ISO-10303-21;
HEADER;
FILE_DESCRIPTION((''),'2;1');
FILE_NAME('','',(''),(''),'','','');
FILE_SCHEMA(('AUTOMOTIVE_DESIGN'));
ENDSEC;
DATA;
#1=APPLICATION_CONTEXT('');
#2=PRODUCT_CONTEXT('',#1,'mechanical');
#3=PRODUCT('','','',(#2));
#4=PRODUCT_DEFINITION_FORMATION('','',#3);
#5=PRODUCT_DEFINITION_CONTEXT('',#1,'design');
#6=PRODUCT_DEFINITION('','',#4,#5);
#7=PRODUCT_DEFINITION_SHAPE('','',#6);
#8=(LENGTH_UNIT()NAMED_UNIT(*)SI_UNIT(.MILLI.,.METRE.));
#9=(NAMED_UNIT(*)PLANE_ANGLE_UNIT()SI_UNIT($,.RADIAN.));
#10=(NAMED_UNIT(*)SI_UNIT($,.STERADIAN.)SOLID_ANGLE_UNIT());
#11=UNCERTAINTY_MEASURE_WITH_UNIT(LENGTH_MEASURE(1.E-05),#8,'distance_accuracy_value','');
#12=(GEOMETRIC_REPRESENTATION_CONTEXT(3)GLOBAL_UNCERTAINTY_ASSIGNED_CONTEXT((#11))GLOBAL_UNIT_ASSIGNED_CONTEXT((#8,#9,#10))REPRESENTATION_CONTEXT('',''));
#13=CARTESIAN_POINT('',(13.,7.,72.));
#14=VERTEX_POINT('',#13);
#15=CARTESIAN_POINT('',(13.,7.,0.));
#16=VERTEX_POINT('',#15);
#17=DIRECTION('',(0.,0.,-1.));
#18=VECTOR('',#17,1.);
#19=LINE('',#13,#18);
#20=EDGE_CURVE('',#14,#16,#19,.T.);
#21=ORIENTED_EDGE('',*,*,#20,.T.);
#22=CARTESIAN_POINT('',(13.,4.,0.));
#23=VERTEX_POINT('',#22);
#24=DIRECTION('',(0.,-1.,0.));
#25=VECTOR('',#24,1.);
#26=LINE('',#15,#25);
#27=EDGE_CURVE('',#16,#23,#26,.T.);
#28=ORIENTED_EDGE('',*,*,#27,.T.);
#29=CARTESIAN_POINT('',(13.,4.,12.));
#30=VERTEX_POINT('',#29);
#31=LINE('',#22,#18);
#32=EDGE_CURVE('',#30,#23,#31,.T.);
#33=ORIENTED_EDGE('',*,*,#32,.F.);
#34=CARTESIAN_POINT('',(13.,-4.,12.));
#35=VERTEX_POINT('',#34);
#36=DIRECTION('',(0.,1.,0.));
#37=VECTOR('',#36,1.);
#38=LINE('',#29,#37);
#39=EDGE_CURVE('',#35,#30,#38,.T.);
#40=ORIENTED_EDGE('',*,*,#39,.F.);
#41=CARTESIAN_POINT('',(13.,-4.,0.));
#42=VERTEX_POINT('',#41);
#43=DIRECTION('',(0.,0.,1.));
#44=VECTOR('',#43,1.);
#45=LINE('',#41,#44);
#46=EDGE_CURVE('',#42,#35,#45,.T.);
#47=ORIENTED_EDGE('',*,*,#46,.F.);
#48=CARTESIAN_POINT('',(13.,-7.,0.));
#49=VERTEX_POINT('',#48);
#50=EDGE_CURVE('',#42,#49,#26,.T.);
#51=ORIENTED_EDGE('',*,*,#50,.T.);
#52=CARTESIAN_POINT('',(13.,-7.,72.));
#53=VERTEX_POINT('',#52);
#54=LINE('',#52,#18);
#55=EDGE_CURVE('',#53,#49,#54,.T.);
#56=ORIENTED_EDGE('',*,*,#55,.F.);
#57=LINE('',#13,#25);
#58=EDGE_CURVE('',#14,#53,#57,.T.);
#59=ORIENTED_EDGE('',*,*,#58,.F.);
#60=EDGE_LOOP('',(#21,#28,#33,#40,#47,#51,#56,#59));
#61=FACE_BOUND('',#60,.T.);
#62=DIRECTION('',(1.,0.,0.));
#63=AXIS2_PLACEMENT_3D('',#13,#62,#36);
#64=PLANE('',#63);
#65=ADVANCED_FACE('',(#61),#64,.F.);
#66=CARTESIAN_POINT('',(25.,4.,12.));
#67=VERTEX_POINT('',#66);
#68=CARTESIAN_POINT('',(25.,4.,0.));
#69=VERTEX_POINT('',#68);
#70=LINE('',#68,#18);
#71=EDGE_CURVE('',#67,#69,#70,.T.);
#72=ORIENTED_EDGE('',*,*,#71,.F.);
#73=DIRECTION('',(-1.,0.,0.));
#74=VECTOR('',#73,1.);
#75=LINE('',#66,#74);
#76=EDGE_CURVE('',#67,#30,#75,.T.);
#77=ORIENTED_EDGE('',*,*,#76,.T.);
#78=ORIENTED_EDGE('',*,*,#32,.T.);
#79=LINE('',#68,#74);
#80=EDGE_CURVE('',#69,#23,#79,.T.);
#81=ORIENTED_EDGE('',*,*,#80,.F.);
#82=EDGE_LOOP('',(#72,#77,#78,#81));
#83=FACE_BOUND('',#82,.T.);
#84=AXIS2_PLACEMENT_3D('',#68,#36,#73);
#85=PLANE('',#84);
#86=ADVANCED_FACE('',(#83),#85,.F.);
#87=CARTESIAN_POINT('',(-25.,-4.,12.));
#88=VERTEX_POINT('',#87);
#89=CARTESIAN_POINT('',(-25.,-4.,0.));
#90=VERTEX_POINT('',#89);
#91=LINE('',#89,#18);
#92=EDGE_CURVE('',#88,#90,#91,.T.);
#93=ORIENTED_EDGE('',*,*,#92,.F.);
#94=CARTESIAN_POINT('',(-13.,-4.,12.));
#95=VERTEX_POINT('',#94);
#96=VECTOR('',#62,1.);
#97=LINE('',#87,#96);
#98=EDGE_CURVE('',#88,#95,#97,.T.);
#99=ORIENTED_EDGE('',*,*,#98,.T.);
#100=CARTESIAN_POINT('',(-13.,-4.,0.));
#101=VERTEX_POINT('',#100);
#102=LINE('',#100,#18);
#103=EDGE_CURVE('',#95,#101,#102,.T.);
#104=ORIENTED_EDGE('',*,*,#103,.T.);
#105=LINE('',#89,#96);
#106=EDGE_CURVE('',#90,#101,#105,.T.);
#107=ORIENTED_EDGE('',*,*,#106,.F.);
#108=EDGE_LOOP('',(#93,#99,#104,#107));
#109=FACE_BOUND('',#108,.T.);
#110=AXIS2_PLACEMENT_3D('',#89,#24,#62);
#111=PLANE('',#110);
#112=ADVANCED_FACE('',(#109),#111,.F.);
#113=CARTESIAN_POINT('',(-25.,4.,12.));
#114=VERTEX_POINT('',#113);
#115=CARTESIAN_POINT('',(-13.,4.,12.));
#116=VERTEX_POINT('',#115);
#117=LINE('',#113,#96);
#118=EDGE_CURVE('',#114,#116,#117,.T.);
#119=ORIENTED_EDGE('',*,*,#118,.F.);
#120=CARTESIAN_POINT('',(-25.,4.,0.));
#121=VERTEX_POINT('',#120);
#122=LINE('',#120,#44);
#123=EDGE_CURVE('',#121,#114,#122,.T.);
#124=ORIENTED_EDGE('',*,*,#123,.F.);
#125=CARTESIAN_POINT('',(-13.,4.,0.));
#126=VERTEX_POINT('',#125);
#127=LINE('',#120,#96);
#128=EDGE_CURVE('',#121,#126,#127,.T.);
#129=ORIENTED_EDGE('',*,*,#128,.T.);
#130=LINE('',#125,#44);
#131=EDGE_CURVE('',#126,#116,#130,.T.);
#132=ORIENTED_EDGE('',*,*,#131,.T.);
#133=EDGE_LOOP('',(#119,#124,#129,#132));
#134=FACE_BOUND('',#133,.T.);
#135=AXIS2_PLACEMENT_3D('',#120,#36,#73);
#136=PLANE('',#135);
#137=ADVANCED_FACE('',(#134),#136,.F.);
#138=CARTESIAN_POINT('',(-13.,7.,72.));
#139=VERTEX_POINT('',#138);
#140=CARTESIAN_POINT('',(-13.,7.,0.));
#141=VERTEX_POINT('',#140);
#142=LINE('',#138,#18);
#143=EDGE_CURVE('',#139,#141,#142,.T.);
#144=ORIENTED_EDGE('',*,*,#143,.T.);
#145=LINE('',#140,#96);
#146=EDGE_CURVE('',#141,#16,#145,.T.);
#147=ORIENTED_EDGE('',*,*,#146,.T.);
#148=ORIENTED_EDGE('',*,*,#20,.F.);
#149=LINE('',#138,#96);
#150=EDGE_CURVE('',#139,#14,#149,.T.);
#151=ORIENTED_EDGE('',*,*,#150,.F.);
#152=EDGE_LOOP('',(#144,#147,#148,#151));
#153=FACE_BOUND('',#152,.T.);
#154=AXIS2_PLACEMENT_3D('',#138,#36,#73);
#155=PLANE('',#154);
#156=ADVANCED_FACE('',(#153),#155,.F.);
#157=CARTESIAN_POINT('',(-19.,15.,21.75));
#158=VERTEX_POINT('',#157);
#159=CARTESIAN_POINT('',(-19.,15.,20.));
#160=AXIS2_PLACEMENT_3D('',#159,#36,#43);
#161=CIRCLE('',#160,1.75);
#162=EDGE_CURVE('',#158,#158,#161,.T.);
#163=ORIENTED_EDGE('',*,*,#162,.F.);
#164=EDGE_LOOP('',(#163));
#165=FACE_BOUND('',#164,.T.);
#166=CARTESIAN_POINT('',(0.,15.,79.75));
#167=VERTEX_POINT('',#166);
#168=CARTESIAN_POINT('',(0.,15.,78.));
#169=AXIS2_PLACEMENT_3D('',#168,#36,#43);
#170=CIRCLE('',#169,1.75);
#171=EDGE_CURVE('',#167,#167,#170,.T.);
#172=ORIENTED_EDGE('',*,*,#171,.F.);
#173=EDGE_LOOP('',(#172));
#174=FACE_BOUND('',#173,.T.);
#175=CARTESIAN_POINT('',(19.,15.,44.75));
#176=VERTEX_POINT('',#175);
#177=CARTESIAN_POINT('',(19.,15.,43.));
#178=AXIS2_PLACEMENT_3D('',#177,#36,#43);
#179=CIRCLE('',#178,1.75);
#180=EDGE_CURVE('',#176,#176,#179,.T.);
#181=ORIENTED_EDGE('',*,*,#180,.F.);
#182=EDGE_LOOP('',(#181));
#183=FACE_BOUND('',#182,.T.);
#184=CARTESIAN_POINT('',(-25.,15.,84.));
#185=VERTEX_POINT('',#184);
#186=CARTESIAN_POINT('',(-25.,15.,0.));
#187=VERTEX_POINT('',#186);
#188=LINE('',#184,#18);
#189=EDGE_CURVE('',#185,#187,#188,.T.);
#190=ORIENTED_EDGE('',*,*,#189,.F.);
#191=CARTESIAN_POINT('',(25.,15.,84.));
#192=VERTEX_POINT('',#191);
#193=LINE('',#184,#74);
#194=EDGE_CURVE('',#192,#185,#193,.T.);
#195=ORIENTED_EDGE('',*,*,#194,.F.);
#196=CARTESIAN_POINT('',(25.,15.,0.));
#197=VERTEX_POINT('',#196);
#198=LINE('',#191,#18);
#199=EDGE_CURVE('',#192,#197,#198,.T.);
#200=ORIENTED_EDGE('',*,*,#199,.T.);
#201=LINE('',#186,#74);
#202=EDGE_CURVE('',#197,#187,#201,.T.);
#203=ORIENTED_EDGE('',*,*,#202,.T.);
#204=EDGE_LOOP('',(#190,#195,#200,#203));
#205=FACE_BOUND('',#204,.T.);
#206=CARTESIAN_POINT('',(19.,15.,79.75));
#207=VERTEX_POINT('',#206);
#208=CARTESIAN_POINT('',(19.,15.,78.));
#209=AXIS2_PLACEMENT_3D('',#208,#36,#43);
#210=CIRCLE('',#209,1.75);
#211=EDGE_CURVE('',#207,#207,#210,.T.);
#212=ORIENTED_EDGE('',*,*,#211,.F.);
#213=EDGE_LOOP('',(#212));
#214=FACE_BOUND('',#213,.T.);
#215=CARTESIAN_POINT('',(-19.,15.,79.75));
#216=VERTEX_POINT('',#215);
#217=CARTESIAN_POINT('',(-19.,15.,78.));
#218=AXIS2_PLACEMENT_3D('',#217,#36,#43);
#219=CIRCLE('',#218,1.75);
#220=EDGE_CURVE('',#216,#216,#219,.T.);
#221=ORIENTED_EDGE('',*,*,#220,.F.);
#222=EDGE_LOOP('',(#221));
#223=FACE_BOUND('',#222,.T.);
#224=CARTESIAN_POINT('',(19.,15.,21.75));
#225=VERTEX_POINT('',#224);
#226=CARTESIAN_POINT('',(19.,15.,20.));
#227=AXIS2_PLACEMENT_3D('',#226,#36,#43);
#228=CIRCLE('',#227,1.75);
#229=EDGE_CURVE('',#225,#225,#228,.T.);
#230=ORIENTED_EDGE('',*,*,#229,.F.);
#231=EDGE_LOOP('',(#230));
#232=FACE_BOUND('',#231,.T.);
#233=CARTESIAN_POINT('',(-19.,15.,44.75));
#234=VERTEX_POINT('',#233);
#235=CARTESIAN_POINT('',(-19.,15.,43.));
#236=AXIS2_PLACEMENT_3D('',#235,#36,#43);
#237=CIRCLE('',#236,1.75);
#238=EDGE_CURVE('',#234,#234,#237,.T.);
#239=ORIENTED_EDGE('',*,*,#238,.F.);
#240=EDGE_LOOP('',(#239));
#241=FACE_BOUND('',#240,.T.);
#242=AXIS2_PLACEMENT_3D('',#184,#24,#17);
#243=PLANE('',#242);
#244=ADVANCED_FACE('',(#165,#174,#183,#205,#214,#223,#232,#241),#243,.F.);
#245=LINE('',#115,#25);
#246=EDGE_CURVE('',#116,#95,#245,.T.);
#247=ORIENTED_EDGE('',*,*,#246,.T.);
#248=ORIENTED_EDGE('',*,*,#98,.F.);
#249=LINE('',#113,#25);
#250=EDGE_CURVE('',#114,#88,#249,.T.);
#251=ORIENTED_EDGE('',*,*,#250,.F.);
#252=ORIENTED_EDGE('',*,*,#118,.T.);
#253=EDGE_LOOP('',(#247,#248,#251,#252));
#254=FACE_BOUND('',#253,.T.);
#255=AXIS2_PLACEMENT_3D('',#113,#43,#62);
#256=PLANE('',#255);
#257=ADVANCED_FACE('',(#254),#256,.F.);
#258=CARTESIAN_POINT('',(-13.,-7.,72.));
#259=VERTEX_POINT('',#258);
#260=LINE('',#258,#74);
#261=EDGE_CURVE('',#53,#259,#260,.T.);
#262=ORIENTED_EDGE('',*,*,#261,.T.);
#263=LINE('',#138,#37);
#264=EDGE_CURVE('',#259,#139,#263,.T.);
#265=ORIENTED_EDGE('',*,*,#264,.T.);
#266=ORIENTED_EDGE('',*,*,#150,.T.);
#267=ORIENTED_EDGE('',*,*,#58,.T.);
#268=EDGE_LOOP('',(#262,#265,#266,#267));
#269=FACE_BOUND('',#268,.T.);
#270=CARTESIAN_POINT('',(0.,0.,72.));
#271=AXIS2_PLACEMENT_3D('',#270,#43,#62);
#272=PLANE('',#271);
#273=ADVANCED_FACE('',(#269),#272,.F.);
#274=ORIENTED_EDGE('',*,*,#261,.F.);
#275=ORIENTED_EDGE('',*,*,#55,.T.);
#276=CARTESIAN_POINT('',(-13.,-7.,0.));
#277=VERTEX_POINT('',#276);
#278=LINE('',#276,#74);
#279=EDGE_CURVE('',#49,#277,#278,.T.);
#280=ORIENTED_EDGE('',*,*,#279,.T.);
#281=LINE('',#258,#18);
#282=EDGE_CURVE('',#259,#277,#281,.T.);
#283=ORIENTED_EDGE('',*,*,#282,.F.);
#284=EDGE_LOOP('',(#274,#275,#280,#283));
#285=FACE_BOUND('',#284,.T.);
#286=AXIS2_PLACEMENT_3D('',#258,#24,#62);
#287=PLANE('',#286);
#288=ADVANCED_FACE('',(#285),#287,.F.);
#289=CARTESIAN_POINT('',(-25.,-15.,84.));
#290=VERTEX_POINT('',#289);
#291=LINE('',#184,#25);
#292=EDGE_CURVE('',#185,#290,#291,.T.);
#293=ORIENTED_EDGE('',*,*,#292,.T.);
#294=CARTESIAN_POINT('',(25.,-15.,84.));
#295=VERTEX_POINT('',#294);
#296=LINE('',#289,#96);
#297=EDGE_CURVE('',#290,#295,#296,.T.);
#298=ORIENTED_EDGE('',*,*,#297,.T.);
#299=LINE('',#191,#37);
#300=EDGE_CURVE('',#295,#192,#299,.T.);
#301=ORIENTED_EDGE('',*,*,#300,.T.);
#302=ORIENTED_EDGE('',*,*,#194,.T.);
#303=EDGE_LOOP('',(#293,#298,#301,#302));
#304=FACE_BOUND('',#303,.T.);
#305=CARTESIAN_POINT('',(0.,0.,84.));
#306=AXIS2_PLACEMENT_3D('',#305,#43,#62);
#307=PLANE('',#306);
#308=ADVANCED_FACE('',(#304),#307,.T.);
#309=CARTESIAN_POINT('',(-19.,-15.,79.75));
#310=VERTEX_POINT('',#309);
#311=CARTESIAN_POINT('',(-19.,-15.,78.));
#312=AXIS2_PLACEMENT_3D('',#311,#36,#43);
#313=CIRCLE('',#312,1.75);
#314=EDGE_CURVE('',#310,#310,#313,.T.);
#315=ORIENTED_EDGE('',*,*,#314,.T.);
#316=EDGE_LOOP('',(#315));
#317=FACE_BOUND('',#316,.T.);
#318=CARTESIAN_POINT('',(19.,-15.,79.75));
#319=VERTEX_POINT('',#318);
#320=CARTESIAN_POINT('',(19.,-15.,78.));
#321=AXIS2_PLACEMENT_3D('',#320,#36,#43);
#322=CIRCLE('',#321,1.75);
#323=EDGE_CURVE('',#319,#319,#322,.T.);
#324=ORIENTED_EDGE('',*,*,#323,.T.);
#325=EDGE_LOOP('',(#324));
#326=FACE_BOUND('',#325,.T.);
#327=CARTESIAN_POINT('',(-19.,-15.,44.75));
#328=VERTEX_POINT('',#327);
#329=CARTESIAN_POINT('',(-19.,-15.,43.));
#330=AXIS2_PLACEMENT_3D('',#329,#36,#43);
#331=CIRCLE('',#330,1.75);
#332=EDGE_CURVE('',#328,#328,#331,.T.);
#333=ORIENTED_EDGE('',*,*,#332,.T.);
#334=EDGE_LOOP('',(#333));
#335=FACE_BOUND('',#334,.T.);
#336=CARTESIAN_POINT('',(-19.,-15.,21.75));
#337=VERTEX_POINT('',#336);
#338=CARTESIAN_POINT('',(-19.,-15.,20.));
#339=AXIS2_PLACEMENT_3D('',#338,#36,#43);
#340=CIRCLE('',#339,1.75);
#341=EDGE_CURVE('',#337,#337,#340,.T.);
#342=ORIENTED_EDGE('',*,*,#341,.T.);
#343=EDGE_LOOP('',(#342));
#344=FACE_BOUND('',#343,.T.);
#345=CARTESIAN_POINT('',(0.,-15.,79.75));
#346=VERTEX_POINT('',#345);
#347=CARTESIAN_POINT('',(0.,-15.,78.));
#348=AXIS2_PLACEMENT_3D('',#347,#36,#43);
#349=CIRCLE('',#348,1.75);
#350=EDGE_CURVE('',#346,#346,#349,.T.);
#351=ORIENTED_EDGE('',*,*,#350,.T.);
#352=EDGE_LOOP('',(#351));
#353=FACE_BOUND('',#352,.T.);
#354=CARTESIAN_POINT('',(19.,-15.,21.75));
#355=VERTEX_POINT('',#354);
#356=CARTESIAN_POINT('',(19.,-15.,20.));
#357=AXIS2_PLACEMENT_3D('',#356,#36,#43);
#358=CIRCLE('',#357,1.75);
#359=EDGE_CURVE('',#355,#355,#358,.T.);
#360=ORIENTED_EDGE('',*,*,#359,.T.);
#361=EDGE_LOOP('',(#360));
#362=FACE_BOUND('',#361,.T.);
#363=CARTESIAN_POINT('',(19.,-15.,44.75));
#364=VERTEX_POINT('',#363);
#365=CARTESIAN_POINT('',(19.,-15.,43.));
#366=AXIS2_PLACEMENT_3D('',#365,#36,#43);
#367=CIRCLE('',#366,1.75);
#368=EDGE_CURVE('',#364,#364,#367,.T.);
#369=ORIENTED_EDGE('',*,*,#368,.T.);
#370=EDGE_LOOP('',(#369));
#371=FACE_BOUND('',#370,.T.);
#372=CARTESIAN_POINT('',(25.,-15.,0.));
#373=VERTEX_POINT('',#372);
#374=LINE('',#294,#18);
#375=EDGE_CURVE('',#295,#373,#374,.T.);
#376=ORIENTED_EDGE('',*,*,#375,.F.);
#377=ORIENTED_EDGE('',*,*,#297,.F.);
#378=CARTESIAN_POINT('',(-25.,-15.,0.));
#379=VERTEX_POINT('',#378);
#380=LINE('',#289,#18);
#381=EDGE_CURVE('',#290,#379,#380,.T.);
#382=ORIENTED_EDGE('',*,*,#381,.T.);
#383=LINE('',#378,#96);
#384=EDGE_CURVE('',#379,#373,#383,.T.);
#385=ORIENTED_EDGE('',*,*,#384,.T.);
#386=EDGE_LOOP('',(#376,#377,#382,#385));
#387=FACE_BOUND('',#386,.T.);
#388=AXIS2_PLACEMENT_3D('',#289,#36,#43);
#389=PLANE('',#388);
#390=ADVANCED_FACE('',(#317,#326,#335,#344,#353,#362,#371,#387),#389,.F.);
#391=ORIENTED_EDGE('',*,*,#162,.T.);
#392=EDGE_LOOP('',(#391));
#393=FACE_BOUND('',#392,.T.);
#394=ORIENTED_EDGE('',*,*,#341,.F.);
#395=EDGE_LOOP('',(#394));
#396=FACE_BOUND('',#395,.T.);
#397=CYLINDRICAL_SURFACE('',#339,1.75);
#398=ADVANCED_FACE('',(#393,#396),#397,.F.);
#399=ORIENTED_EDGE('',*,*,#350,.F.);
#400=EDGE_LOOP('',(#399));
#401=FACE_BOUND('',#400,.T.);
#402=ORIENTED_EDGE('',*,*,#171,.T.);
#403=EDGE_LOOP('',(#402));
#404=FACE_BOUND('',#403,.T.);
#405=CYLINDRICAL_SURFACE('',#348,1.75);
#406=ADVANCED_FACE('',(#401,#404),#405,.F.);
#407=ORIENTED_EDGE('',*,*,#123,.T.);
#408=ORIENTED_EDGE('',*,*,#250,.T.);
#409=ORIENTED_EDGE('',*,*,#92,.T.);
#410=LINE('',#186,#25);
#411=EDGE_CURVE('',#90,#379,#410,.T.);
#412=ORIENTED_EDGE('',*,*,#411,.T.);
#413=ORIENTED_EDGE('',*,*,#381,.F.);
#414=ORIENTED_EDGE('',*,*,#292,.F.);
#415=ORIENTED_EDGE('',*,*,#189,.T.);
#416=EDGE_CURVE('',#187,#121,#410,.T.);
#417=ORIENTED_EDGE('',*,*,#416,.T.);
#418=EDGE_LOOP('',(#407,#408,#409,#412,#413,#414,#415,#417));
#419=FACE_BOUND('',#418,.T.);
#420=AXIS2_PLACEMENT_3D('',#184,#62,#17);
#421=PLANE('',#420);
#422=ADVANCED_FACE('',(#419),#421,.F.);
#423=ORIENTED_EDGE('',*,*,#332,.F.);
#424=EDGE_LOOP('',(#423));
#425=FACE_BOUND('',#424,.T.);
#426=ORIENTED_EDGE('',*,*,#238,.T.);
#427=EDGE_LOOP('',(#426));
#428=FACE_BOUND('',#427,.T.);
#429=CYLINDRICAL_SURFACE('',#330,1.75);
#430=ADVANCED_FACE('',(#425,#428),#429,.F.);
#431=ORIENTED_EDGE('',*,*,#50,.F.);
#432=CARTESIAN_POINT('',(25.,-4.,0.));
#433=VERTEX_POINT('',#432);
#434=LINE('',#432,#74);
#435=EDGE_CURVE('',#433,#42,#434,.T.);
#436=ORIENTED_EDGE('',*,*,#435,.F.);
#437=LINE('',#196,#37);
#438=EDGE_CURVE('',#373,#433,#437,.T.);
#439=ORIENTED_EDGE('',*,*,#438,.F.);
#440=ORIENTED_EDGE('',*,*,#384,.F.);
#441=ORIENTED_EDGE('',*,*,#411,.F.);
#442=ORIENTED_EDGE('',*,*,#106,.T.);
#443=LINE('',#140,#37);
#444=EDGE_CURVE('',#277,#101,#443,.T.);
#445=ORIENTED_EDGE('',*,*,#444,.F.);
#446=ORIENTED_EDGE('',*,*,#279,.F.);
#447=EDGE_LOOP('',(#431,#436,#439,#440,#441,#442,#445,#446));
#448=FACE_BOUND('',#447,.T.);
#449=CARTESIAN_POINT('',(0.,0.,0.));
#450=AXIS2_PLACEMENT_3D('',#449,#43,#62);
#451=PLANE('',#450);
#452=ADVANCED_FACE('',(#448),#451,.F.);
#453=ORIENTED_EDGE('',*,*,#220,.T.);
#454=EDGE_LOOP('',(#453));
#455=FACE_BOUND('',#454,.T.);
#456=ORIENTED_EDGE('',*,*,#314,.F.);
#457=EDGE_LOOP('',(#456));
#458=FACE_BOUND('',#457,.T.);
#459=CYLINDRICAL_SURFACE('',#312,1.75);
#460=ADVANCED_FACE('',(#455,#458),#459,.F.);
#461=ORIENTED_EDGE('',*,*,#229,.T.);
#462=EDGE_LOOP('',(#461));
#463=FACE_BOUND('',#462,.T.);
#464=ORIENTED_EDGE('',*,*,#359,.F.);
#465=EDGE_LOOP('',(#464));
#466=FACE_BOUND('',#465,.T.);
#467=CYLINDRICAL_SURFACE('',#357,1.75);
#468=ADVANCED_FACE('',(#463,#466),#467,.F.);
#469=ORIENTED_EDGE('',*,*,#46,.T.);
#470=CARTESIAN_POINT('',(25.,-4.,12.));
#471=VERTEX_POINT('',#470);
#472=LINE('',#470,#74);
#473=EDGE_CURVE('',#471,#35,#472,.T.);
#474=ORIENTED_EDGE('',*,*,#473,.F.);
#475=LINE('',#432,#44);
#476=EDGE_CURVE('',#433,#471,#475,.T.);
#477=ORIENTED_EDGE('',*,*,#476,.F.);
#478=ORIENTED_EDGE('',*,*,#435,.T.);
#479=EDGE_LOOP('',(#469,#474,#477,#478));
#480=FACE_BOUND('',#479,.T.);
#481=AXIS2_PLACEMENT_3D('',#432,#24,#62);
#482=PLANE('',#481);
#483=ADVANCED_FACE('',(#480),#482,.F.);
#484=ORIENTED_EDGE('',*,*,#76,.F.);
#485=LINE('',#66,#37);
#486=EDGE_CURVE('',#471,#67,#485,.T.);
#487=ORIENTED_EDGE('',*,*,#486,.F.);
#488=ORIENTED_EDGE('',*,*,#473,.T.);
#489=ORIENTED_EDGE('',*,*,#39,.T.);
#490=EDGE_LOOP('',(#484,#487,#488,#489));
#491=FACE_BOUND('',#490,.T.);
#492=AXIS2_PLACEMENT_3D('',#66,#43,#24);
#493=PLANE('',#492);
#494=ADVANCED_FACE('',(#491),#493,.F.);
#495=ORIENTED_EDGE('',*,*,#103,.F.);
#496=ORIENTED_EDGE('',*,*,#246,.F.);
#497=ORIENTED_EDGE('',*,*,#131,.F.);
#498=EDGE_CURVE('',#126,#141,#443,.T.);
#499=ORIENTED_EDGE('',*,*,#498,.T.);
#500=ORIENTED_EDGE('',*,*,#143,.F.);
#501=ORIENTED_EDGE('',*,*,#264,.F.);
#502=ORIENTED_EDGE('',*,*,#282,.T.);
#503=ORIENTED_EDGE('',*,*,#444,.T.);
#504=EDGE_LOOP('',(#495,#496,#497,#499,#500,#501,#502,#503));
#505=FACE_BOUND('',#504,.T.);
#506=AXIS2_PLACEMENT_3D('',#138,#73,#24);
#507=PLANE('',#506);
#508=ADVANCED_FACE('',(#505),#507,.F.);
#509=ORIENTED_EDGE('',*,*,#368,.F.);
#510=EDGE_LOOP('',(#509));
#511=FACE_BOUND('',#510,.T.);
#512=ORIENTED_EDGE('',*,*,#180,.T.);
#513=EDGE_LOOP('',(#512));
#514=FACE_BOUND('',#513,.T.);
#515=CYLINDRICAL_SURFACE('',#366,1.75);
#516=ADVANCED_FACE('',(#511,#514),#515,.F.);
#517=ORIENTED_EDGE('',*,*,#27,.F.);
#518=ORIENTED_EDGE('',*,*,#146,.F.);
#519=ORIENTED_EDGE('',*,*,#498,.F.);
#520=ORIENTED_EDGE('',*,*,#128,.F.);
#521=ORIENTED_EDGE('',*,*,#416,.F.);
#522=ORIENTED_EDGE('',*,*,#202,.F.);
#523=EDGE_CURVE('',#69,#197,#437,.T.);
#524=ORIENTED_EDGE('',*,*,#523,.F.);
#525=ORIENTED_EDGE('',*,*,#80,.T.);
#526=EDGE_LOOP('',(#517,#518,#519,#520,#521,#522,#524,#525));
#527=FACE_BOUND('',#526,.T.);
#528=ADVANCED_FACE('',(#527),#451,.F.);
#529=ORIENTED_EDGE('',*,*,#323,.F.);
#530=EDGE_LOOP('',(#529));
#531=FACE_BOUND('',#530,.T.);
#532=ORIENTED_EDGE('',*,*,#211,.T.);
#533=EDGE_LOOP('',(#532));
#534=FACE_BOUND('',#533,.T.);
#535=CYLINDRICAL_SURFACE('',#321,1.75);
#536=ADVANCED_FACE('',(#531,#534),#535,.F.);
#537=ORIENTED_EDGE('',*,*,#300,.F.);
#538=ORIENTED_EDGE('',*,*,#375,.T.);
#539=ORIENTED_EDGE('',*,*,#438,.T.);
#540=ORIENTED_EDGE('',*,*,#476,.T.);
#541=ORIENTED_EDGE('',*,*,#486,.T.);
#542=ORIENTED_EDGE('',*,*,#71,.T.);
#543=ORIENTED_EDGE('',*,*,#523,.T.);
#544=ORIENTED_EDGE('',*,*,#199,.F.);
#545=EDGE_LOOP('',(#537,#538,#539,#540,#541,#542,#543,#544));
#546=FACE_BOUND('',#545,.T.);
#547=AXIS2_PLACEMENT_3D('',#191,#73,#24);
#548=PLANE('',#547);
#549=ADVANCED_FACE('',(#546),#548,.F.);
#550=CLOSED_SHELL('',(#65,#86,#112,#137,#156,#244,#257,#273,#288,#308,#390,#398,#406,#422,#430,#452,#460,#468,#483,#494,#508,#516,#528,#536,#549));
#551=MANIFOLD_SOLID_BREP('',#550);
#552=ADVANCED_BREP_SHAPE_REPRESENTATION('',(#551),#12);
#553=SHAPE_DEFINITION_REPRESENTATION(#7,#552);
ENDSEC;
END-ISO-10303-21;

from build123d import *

# Parameters (mm, degrees)
SKETCH_1_W          = 50
SKETCH_1_H          = 30
EXTRUDE_1_DEPTH     = 84
SKETCH_2_W          = 26
SKETCH_2_H          = 14
CUT_EXTRUDE_1_DEPTH = 72
SKETCH_5_W          = 12
SKETCH_5_H          = 8
CUT_EXTRUDE_4_DEPTH = 13
SKETCH_6_W          = 12
SKETCH_6_H          = 8
CUT_EXTRUDE_5_DEPTH = 13
SKETCH_7_R          = 1.75
CUT_EXTRUDE_7_DEPTH = 31


with BuildPart() as part:
    # ｽｹｯﾁ1 → ﾎﾞｽ - 押し出し1 (new body)
    with BuildSketch(Plane.XY):
        Rectangle(SKETCH_1_W, SKETCH_1_H)
    extrude(amount=EXTRUDE_1_DEPTH)

    # ｽｹｯﾁ2 → ｶｯﾄ - 押し出し1 (cut)
    with BuildSketch(Plane(origin=(0, 0, 0), x_dir=(-1, 0, 0), z_dir=(0, 0, -1))):
        Rectangle(SKETCH_2_W, SKETCH_2_H)
    extrude(amount=-CUT_EXTRUDE_1_DEPTH, mode=Mode.SUBTRACT)

    # ｽｹｯﾁ5 → ｶｯﾄ - 押し出し4 (cut, through all)
    with BuildSketch(Plane.ZY.offset(-13)):
        with Locations((6, 0)):
            Rectangle(SKETCH_5_W, SKETCH_5_H)
    extrude(amount=-CUT_EXTRUDE_4_DEPTH, mode=Mode.SUBTRACT)

    # ｽｹｯﾁ6 → ｶｯﾄ - 押し出し5 (cut, through all)
    with BuildSketch(Plane(origin=(-13, 0, 0), x_dir=(0, 0, -1), z_dir=(1, 0, 0))):
        with Locations((-6, 0)):
            Rectangle(SKETCH_6_W, SKETCH_6_H)
    extrude(amount=-CUT_EXTRUDE_5_DEPTH, mode=Mode.SUBTRACT)

    # ｽｹｯﾁ7 → ｶｯﾄ - 押し出し7 (cut, through all)
    with BuildSketch(Plane(origin=(0, 15, 0), x_dir=(1, 0, 0), z_dir=(0, 1, 0))):
        with Locations((19, -20)):
            Circle(SKETCH_7_R)
        with Locations((19, -43)):
            Circle(SKETCH_7_R)
        with Locations((19, -78)):
            Circle(SKETCH_7_R)
        with Locations((0, -78)):
            Circle(SKETCH_7_R)
        with Locations((-19, -78)):
            Circle(SKETCH_7_R)
        with Locations((-19, -43)):
            Circle(SKETCH_7_R)
        with Locations((-19, -20)):
            Circle(SKETCH_7_R)
    extrude(amount=-CUT_EXTRUDE_7_DEPTH, mode=Mode.SUBTRACT)


solid = part.part
